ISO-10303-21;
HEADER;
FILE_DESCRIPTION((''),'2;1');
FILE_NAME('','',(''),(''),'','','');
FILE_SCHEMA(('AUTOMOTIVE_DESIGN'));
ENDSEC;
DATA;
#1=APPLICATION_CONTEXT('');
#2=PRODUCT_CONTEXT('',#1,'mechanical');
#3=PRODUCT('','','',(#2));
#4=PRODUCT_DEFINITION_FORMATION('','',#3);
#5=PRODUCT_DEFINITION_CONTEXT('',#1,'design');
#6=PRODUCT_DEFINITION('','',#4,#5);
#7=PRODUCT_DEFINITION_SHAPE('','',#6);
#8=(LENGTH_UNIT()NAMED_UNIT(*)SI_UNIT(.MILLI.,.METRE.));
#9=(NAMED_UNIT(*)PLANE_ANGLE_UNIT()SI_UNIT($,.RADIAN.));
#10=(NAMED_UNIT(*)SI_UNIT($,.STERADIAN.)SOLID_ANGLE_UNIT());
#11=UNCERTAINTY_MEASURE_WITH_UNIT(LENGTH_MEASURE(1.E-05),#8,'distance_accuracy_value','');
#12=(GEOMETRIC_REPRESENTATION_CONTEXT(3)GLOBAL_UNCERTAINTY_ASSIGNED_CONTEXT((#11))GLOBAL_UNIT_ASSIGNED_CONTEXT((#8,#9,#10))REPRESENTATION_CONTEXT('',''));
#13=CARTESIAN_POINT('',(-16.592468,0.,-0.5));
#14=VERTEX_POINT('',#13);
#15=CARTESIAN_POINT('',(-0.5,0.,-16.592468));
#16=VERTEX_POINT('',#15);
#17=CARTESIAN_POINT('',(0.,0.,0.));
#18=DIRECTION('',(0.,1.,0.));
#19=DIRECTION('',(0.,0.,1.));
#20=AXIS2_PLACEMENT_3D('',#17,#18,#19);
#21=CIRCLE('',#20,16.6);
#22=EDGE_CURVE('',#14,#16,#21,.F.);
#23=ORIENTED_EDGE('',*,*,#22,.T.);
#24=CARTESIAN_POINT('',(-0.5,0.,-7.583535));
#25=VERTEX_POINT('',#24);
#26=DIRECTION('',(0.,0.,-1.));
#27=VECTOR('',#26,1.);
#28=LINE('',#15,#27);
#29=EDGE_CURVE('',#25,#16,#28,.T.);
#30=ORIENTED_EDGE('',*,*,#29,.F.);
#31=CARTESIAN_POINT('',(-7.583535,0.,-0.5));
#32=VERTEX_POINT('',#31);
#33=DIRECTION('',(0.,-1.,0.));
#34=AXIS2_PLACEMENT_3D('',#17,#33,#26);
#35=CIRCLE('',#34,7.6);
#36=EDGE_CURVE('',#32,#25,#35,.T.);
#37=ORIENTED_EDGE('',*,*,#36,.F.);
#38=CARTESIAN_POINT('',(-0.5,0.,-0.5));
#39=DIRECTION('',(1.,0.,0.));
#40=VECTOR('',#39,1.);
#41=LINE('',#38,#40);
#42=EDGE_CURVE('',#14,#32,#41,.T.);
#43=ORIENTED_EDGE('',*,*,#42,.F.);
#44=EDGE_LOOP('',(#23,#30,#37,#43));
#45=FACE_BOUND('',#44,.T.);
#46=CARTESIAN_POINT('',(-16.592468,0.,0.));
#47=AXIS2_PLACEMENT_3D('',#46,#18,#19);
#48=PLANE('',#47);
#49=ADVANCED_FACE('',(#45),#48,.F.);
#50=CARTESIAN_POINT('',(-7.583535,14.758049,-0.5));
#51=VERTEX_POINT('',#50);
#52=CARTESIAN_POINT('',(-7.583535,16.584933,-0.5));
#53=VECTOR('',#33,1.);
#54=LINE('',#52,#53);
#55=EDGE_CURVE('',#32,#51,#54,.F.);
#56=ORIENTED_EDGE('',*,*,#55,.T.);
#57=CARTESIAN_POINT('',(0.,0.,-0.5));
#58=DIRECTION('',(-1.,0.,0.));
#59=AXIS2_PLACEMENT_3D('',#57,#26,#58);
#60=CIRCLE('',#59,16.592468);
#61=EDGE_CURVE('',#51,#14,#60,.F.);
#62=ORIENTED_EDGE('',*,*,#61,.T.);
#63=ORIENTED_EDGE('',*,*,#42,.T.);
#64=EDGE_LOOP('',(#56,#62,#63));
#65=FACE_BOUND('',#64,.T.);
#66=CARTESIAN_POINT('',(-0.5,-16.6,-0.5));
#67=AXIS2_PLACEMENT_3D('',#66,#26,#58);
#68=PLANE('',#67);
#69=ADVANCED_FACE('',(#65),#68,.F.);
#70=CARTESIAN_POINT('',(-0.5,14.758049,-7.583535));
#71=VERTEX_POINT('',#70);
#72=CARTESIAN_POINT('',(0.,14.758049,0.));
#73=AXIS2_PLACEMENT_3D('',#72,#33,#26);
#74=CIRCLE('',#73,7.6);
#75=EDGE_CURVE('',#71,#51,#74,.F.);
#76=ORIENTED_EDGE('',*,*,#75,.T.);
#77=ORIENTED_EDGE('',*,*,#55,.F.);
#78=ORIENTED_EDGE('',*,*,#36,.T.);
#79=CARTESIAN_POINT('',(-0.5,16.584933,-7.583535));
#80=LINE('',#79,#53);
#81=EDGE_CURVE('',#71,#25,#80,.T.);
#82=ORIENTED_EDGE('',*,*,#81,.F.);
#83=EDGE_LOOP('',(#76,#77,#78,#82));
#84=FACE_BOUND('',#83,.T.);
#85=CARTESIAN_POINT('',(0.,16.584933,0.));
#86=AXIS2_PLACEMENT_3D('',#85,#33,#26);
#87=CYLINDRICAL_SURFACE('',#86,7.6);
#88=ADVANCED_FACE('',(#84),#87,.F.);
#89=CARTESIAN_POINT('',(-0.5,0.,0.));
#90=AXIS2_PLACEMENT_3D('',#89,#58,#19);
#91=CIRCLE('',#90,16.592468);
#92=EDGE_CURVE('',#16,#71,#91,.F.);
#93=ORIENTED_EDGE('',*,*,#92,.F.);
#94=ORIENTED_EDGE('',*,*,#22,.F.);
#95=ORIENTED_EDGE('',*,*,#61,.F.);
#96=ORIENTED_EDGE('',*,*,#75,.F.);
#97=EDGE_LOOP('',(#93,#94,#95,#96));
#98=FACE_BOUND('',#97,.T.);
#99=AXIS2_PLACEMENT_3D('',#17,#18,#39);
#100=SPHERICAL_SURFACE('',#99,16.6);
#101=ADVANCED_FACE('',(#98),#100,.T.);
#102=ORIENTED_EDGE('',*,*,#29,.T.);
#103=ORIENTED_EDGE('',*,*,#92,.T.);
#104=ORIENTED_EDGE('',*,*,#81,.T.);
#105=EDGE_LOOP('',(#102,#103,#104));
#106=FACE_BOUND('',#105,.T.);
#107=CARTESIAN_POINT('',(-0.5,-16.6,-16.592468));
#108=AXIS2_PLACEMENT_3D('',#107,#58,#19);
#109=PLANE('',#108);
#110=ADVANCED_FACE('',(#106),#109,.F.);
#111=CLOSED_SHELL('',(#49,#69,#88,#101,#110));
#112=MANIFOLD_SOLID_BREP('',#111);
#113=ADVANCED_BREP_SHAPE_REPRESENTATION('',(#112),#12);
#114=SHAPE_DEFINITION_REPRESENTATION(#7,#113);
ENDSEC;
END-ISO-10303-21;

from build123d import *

# Parameters (mm, degrees)
CUT_EXTRUDE1_DEPTH      = 29.752043406
CUT_EXTRUDE1_DEPTH_BACK = 29.752043406
SKETCH3_W               = 19.816571208
SKETCH3_H               = 17.600838627
CUT_EXTRUDE2_DEPTH      = 29.448858181
SKETCH6_R               = 7.6
CUT_EXTRUDE3_DEPTH      = 29.734648075


with BuildPart() as part:
    # Sketch1 → Revolve1 (revolve)
    with BuildSketch(Plane.XY):
        with BuildLine():
            Line((0, 16.6), (0, -16.6))
            ThreePointArc((0, -16.6), (-16.6, 0), (0, 16.6))
        make_face()
    revolve(axis=Axis((0, 16.6, 0), (0, -1, 0)))

    # Sketch2 → Cut-Extrude1 (cut, two sides: drawn at the far end of the back side and taken through both)
    with BuildSketch(Plane(origin=(0, 0, 0), x_dir=(1, 0, 0), z_dir=(0, 1, 0)).offset(-CUT_EXTRUDE1_DEPTH_BACK)):
        with BuildLine():
            Line((-0.5, 16.592468171), (-0.5, 0.5))
            Line((-0.5, 0.5), (-16.592468171, 0.5))
            ThreePointArc((-16.592468171, 0.5), (11.737972568, -11.737972568), (-0.5, 16.592468171))
        make_face()
    extrude(amount=CUT_EXTRUDE1_DEPTH + CUT_EXTRUDE1_DEPTH_BACK, mode=Mode.SUBTRACT)

    # Sketch3 → Cut-Extrude2 (cut, through all)
    with BuildSketch(Plane(origin=(-0.5, 0, 0), x_dir=(0, 0, -1), z_dir=(1, 0, 0))):
        with Locations((9.908285604, -8.800419314)):
            Rectangle(SKETCH3_W, SKETCH3_H)
    extrude(amount=-CUT_EXTRUDE2_DEPTH, mode=Mode.SUBTRACT)

    # Sketch6 → Cut-Extrude3 (cut, through all)
    with BuildSketch(Plane.XZ):
        Circle(SKETCH6_R)
    extrude(amount=-CUT_EXTRUDE3_DEPTH, mode=Mode.SUBTRACT)


solid = part.part
